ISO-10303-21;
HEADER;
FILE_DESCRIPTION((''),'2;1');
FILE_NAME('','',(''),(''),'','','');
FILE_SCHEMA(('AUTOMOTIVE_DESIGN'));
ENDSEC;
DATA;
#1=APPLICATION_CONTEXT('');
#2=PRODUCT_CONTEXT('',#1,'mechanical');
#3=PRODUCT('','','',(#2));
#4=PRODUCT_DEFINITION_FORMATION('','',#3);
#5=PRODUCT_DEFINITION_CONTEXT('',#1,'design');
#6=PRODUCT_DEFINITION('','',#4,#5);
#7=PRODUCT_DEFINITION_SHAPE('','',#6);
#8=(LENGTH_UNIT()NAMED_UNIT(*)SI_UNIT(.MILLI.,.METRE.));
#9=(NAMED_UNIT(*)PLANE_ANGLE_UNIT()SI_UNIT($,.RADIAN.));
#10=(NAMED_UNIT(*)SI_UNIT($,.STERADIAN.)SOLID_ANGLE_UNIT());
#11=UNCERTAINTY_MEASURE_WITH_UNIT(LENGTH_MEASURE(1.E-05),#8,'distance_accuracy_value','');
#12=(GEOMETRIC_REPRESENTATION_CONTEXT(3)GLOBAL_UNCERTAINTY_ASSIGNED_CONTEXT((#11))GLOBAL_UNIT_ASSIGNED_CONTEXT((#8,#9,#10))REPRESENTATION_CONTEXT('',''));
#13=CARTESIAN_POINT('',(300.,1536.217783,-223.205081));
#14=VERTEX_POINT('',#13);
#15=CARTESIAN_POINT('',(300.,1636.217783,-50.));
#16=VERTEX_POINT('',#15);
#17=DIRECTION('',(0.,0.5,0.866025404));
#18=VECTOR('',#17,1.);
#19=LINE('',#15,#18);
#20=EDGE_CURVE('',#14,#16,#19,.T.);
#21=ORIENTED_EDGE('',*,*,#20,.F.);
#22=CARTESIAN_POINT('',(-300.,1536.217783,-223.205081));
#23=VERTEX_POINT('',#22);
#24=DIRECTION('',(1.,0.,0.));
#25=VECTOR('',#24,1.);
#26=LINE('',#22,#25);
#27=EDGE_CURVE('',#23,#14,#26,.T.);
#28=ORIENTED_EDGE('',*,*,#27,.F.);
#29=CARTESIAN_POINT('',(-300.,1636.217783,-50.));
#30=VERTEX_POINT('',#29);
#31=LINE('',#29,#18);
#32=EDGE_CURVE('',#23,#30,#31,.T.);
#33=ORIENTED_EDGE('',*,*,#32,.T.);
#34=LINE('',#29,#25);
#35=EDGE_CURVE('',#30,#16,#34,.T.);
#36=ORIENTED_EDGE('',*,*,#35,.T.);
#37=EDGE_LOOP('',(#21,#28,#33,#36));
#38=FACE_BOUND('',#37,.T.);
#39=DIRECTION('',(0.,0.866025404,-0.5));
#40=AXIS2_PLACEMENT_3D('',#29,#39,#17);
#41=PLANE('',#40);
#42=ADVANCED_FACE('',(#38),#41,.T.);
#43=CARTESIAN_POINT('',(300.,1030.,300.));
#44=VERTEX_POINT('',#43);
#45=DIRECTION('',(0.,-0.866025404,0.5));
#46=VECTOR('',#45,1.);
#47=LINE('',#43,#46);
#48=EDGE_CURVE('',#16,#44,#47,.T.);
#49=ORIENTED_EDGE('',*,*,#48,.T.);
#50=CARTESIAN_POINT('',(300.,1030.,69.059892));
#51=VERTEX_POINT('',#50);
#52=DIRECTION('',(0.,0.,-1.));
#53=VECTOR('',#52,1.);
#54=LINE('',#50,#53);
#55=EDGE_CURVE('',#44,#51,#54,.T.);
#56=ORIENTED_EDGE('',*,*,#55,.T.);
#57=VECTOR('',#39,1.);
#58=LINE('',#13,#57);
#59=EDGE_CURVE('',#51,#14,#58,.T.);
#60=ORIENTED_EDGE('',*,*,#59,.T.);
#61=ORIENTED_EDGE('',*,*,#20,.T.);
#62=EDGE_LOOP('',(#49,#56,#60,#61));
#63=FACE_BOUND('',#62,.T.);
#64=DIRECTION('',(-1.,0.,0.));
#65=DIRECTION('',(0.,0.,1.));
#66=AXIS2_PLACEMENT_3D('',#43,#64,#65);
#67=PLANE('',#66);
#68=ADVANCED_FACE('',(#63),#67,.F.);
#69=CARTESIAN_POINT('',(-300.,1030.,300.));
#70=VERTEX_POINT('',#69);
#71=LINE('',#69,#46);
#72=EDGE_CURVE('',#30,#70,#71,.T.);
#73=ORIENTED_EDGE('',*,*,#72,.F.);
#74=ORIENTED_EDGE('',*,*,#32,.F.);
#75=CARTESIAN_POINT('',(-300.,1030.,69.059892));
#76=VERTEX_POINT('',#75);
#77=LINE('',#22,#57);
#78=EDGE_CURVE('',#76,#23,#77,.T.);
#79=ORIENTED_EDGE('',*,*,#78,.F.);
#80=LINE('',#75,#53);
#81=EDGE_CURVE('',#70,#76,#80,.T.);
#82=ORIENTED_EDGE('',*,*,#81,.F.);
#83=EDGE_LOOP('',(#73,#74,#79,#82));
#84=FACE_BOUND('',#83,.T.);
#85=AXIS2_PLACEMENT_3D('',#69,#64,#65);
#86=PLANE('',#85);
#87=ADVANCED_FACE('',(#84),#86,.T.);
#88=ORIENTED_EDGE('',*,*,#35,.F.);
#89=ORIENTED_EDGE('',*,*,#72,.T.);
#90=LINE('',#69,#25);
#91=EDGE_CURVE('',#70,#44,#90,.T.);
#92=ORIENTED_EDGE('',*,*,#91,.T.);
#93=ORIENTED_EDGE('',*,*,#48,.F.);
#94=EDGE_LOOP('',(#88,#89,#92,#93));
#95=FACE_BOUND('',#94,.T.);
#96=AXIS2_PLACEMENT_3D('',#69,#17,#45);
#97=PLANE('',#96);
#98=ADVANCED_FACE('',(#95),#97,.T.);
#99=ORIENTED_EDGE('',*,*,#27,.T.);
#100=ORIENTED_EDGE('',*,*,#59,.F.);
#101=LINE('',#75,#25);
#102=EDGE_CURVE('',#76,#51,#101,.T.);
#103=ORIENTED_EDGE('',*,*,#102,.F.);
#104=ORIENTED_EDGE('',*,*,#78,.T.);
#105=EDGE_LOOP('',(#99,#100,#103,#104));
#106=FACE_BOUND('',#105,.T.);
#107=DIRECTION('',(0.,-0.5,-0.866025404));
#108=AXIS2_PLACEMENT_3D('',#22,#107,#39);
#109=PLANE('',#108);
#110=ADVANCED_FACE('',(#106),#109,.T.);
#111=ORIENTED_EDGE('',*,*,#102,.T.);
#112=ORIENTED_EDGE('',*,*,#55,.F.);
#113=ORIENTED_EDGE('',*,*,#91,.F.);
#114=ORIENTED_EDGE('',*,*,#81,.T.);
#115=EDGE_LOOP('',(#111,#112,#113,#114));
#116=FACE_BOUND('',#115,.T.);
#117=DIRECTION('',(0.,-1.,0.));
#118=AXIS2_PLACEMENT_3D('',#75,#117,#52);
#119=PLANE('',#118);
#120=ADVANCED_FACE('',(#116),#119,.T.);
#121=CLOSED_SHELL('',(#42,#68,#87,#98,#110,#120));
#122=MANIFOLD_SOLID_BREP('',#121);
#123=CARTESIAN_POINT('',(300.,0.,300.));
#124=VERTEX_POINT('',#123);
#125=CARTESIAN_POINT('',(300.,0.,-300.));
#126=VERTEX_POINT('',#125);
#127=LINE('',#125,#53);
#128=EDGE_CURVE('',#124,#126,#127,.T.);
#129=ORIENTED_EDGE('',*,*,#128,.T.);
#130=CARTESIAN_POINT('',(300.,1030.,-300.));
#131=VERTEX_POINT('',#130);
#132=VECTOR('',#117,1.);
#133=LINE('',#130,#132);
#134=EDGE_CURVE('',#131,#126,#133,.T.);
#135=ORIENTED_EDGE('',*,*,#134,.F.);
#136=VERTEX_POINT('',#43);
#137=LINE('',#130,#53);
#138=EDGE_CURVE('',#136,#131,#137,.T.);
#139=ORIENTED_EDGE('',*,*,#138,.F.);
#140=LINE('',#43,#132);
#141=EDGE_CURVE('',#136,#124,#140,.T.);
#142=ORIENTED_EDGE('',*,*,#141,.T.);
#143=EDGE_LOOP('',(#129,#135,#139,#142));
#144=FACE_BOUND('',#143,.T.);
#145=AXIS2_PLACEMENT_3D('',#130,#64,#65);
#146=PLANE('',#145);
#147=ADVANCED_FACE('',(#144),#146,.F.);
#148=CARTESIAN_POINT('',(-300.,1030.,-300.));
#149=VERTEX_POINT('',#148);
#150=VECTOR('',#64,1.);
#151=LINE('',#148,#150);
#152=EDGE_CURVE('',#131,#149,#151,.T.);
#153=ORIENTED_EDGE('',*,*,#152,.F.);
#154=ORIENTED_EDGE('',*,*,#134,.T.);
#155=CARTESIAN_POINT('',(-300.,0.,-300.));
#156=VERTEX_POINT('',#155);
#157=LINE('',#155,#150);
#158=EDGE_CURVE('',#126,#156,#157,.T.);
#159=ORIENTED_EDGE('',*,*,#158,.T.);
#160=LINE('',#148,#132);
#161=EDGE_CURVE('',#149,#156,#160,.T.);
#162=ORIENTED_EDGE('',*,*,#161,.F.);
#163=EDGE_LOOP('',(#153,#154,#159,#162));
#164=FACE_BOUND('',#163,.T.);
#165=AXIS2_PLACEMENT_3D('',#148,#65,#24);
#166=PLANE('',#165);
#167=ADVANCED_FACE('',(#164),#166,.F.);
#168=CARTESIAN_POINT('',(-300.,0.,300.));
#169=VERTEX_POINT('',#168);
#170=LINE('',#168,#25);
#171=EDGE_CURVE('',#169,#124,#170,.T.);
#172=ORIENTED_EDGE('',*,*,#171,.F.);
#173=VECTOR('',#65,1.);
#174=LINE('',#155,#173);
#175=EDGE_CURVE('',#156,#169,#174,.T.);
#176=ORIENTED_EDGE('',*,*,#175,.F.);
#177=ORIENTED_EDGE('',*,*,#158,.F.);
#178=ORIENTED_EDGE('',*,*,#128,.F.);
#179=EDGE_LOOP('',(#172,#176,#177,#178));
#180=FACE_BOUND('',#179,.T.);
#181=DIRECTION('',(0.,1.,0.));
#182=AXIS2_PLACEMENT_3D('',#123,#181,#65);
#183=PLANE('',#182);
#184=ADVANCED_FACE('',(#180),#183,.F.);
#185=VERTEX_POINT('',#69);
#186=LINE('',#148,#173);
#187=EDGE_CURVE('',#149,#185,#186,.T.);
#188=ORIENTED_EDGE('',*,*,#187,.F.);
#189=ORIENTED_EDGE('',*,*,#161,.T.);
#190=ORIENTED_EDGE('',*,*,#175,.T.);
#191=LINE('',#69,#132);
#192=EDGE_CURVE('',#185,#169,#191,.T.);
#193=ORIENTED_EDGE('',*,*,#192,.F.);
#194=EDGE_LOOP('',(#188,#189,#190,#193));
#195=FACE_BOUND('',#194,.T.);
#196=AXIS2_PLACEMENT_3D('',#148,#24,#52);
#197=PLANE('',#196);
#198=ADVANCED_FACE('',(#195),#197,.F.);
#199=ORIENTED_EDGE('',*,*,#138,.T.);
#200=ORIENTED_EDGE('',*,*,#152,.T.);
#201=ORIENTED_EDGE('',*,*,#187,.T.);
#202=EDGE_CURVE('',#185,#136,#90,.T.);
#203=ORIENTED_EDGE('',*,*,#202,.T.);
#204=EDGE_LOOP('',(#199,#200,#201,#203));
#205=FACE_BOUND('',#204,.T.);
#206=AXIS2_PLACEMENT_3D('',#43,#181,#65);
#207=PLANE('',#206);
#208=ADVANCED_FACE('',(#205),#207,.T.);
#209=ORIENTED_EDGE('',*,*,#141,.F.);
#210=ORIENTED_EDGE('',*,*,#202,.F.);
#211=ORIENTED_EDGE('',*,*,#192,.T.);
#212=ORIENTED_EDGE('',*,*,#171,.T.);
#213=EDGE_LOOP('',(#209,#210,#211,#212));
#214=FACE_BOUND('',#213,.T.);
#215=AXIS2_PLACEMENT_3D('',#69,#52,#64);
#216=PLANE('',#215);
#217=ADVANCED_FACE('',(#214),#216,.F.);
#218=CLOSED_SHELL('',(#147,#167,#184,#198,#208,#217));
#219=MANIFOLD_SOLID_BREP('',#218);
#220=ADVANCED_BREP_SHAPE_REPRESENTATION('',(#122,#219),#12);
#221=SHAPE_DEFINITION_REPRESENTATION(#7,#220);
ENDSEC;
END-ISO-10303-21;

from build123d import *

# Parameters (mm, degrees)
SKETCH_1_W      = 600
SKETCH_1_H      = 600
EXTRUDE_1_DEPTH = 1030
EXTRUDE_2_DEPTH = 600


with BuildPart() as part:
    # 草图1 → 拉伸1 (new body)
    with BuildSketch(Plane(origin=(0, 0, 0), x_dir=(1, 0, 0), z_dir=(0, 1, 0))):
        Rectangle(SKETCH_1_W, SKETCH_1_H)
    extrude(amount=EXTRUDE_1_DEPTH)


with BuildPart() as body_2:
    # 草图4 → 拉伸2 (new body)
    with BuildSketch(Plane(origin=(300, 0, 0), x_dir=(0, 0, -1), z_dir=(1, 0, 0))):
        Polygon((-300, 1030), (50, 1636.217782649), (223.205080757, 1536.217782649), (-69.059892324, 1030), align=None)
    extrude(amount=-EXTRUDE_2_DEPTH)


solid = Compound([part.part, body_2.part])
